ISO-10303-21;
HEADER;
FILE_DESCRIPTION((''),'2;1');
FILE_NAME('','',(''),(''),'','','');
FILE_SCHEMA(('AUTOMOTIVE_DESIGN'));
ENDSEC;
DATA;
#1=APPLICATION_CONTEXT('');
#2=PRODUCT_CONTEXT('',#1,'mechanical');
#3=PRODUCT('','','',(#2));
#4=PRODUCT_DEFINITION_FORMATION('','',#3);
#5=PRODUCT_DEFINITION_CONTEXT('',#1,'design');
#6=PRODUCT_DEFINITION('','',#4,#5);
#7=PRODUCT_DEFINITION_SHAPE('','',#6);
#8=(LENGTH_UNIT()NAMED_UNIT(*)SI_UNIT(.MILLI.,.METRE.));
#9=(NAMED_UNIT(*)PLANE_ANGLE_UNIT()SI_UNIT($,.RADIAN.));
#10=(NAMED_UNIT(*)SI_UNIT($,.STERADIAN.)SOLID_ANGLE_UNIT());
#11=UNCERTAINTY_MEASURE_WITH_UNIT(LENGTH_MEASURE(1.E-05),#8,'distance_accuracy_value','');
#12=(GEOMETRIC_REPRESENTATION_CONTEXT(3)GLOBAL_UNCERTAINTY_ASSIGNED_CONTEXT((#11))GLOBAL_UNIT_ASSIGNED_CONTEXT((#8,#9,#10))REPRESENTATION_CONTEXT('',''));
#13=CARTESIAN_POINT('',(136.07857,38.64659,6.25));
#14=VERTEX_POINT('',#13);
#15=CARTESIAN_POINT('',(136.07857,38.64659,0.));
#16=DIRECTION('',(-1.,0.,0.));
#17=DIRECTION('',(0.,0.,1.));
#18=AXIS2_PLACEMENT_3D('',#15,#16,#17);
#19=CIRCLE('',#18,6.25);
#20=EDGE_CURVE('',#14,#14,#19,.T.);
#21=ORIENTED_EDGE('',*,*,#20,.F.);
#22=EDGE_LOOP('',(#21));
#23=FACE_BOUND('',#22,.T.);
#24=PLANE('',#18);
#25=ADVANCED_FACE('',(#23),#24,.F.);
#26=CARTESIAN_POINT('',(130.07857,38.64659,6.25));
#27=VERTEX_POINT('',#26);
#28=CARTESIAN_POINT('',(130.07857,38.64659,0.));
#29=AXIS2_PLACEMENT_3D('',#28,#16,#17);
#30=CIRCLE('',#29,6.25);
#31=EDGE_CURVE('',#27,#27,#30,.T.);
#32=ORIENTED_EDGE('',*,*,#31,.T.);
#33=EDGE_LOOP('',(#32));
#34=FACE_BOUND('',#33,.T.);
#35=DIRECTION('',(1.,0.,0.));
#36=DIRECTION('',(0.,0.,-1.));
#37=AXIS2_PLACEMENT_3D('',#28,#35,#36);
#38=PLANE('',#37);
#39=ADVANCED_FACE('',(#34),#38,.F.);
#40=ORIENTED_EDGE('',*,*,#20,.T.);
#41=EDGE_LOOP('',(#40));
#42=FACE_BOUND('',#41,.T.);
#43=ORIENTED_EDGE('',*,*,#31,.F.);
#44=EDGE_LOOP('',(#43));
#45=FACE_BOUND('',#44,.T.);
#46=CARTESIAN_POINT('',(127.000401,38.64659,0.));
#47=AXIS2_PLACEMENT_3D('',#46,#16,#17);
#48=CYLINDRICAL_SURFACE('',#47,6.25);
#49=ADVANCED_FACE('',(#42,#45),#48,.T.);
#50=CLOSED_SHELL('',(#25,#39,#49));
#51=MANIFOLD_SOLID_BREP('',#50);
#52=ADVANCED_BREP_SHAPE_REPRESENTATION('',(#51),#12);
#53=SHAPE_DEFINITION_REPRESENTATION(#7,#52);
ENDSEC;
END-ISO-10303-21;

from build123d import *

# Parameters (mm, degrees)
SKETCH_1_W = 6
SKETCH_1_H = 6.25


with BuildPart() as part:
    # 草图1 → 旋转1 (revolve)
    with BuildSketch(Plane.XY, mode=Mode.PRIVATE) as revolve_1_sk:
        with Locations((133.078570246, 41.771589675)):
            Rectangle(SKETCH_1_W, SKETCH_1_H)
    revolve(revolve_1_sk.sketch.rotate(Axis((127.000400996, 38.646589675, 0), (1, 0, 0)), 90), axis=Axis((127.000400996, 38.646589675, 0), (1, 0, 0)))  # turned: the seam where the file's is


solid = part.part
